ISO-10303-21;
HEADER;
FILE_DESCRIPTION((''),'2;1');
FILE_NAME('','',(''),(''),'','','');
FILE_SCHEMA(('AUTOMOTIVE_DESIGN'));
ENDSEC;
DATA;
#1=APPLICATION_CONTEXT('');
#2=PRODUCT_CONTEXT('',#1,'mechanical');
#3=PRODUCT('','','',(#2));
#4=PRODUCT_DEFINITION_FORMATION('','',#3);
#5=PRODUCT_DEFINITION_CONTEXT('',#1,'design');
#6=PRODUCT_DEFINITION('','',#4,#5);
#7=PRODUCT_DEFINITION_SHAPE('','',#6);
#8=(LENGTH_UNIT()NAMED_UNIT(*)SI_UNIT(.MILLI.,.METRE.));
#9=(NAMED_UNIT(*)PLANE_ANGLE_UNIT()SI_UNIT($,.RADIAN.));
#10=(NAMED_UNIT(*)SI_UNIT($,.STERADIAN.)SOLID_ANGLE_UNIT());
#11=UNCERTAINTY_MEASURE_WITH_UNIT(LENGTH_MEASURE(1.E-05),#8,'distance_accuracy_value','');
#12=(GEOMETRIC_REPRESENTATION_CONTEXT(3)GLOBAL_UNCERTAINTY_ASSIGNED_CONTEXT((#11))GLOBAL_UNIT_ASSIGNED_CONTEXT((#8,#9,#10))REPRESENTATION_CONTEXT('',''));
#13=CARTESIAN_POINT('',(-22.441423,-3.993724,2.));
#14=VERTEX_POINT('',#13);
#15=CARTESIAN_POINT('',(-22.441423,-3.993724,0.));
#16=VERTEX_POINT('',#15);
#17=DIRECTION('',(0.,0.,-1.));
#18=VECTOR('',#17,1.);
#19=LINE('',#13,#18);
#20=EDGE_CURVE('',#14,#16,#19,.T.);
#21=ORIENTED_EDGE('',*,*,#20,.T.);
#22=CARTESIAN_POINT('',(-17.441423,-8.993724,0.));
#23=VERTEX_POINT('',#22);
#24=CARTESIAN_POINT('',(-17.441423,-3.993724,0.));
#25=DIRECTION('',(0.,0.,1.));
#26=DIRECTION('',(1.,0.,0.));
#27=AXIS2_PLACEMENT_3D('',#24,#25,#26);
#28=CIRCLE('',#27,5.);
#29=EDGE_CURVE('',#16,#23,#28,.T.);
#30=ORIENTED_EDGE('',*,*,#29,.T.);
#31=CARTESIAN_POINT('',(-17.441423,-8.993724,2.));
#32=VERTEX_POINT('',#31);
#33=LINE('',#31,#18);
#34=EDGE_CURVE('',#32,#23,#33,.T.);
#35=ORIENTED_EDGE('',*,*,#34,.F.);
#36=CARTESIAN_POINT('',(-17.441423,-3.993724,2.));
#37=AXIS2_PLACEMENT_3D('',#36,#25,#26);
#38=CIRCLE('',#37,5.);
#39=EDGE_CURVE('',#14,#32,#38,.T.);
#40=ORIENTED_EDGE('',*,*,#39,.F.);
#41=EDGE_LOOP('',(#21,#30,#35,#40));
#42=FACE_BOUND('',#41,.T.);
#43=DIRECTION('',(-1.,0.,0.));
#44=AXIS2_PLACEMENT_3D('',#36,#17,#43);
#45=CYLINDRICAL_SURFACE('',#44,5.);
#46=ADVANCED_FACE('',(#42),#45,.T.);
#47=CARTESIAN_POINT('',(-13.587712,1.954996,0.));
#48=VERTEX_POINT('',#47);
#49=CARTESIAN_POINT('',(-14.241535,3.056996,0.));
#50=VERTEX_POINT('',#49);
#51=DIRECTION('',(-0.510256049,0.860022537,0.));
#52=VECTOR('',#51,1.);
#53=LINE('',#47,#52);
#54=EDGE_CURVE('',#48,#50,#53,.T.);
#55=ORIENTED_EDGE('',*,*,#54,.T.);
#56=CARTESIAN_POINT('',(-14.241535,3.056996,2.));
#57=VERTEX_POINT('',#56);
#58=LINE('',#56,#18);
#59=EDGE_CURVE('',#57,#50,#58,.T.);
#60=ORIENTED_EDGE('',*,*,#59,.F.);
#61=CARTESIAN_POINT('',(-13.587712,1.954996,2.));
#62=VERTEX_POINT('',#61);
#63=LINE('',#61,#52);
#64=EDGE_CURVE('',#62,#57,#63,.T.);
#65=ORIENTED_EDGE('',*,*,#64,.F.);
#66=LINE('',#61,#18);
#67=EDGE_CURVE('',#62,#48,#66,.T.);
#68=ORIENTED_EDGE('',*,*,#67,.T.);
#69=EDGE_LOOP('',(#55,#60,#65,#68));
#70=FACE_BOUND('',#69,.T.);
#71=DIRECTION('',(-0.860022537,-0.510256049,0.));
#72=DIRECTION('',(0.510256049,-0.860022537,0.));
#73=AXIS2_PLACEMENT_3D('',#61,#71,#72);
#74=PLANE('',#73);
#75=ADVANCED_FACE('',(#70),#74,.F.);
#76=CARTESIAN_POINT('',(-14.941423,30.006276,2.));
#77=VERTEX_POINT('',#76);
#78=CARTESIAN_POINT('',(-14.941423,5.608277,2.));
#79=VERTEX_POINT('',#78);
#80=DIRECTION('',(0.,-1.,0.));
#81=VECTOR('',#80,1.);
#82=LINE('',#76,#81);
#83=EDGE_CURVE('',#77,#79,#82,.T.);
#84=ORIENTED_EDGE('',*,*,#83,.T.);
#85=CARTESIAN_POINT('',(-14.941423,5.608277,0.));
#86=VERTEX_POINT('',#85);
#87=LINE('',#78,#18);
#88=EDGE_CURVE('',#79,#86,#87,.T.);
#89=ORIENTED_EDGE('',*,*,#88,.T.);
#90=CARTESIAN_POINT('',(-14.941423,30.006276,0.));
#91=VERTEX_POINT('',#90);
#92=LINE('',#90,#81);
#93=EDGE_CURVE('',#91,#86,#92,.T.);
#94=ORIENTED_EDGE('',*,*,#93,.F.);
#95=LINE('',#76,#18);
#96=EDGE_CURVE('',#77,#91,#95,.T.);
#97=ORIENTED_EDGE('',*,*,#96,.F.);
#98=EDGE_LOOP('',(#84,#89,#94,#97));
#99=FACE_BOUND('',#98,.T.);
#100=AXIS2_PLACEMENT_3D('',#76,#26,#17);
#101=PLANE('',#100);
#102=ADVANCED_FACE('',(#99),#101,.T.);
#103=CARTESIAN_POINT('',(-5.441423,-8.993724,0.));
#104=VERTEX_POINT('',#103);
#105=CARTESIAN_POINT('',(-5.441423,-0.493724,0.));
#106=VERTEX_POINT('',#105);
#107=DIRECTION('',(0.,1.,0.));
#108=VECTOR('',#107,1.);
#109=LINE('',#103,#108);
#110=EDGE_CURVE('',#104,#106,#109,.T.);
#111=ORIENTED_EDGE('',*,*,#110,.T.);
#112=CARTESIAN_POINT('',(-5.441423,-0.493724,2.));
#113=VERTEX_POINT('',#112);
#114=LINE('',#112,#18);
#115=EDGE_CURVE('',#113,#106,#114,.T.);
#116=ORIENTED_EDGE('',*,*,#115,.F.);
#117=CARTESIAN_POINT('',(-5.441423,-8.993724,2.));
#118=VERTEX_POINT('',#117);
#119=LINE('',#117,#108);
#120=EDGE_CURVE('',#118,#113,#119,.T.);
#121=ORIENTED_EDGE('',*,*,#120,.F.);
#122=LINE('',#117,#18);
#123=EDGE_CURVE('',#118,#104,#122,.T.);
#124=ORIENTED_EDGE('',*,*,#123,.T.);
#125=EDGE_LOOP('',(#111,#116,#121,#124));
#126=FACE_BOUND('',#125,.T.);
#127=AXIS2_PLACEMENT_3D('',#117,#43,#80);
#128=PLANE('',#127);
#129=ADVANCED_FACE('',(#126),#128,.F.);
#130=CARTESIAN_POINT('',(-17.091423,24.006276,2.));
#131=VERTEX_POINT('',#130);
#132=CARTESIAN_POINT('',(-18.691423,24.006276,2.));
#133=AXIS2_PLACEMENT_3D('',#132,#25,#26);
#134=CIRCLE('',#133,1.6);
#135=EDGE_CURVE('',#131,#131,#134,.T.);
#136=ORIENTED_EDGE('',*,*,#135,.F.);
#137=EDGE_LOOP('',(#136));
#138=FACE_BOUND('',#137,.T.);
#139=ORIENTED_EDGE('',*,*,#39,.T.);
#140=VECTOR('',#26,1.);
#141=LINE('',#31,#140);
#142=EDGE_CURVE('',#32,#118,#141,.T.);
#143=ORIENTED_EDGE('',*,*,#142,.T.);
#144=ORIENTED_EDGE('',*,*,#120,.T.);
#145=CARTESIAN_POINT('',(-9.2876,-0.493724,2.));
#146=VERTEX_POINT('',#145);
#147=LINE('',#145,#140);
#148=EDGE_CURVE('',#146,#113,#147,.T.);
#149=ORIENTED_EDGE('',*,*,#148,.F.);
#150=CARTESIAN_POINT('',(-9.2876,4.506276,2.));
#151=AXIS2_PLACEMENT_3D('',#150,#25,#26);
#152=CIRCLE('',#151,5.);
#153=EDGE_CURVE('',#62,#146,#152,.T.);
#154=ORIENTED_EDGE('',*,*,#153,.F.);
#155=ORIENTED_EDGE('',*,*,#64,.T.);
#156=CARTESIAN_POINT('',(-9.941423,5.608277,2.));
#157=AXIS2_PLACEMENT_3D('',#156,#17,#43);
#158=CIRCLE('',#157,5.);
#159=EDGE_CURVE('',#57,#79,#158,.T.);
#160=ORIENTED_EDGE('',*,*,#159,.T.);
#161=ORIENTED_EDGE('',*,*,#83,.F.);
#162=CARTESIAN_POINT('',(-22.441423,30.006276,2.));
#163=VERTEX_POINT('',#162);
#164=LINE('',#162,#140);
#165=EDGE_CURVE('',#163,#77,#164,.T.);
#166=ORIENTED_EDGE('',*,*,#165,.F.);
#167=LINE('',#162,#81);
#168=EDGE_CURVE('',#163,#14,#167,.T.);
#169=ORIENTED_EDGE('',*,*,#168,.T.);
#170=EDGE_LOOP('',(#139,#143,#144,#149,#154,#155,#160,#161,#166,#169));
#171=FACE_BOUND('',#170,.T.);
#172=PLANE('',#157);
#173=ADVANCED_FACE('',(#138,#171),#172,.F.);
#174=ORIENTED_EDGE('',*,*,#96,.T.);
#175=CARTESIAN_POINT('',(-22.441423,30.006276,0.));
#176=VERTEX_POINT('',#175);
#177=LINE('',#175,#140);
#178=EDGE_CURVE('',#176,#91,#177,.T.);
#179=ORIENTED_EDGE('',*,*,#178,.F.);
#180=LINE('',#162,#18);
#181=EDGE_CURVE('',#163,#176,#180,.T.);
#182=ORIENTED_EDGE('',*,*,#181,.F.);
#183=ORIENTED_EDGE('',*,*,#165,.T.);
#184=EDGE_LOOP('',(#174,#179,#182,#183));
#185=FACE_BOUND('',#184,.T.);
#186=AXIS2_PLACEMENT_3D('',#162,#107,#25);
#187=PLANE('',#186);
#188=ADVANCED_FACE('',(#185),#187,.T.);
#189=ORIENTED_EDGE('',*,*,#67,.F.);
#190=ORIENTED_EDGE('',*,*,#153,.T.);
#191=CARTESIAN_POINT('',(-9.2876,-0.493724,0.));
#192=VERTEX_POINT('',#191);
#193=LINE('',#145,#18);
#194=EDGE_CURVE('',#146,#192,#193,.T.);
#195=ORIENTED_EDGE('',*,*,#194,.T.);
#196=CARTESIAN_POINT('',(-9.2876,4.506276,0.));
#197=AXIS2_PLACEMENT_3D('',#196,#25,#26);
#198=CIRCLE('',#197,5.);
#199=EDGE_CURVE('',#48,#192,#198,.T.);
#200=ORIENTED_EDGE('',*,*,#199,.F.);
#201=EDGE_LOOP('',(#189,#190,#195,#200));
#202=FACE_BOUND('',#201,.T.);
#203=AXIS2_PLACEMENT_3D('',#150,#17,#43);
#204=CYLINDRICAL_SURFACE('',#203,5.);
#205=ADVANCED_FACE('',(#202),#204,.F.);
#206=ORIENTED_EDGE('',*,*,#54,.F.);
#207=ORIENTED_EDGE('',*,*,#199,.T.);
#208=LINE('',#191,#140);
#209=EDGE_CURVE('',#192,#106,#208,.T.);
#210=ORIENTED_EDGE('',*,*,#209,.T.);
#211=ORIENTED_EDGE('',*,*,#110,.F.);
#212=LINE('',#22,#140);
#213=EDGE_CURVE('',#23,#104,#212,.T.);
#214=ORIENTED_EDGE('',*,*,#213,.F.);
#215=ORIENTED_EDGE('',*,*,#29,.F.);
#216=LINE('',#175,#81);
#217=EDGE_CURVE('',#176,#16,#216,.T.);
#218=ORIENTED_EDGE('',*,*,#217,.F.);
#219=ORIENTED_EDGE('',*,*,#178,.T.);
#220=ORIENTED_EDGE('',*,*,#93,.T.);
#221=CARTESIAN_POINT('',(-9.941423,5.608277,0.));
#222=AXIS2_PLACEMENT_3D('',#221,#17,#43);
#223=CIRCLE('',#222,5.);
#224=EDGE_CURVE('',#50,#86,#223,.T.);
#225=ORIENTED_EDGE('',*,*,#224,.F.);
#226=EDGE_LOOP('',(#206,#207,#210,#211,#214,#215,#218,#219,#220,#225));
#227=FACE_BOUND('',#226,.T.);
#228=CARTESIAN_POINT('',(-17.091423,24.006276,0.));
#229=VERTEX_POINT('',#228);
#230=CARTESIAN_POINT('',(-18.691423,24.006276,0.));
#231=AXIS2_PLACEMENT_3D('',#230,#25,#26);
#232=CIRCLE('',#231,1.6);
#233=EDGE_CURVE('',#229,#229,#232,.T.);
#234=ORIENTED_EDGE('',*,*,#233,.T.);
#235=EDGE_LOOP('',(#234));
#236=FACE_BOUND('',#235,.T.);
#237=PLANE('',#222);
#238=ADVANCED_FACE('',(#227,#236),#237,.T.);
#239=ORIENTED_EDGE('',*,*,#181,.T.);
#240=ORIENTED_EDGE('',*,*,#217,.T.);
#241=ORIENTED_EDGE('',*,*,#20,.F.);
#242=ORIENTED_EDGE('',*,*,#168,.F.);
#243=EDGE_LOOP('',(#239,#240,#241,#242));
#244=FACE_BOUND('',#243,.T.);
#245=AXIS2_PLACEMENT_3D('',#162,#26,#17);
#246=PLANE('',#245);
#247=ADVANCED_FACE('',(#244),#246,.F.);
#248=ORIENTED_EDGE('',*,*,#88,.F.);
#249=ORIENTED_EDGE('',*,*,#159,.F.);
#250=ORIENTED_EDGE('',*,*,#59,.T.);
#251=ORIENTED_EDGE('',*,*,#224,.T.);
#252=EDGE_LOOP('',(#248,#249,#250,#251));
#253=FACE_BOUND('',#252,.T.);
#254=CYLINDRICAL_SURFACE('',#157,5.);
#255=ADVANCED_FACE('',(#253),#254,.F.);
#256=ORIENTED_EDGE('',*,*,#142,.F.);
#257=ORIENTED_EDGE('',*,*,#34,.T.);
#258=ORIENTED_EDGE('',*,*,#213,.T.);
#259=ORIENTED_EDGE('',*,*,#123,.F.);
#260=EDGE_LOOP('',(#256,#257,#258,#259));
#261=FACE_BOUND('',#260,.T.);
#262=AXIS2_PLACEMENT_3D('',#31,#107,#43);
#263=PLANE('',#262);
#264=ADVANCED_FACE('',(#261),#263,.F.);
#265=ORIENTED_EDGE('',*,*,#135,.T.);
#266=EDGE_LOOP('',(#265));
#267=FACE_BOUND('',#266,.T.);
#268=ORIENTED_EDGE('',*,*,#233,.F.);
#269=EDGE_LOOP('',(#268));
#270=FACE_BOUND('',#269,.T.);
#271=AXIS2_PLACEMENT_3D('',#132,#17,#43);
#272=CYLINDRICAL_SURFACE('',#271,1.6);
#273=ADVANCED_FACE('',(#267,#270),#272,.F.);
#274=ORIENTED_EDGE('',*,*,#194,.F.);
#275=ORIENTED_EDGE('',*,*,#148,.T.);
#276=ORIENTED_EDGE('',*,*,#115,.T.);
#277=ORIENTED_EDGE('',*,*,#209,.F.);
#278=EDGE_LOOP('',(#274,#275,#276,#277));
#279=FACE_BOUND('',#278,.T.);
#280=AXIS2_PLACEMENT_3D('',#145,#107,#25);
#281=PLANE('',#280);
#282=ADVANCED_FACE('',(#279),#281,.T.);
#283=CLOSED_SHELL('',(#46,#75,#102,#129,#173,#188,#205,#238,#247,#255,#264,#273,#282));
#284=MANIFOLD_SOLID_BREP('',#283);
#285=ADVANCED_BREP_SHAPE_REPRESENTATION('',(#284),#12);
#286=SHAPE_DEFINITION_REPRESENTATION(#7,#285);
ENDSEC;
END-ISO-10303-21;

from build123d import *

# Parameters (mm, degrees)
SKETCH_1_R      = 1.6
EXTRUDE_2_DEPTH = 2


with BuildPart() as part:
    # 草图1 → 凸台-拉伸2 (new body)
    with BuildSketch(Plane.XY):
        with BuildLine():
            Line((-13.587712402, 1.954995905), (-14.241535279, 3.056996382))
            ThreePointArc((-14.241535279, 3.056996382), (-14.763277187, 4.285507454), (-14.941422594, 5.608276628))
            Line((-14.941422594, 5.608276628), (-14.941422594, 30.006276151))
            Line((-14.941422594, 30.006276151), (-22.441422594, 30.006276151))
            Line((-22.441422594, 30.006276151), (-22.441422594, -3.993723849))
            ThreePointArc((-22.441422594, -3.993723849), (-20.9769565, -7.529257755), (-17.441422594, -8.993723849))
            Line((-17.441422594, -8.993723849), (-5.441422594, -8.993723849))
            Line((-5.441422594, -8.993723849), (-5.441422594, -0.493723849))
            Line((-5.441422594, -0.493723849), (-9.287599717, -0.493723849))
            ThreePointArc((-9.287599717, -0.493723849), (-11.761826745, 0.161371018), (-13.587712402, 1.954995905))
        make_face()
        with Locations((-18.691422594, 24.006276151)):
            Circle(SKETCH_1_R, mode=Mode.SUBTRACT)
    extrude(amount=EXTRUDE_2_DEPTH)


solid = part.part
